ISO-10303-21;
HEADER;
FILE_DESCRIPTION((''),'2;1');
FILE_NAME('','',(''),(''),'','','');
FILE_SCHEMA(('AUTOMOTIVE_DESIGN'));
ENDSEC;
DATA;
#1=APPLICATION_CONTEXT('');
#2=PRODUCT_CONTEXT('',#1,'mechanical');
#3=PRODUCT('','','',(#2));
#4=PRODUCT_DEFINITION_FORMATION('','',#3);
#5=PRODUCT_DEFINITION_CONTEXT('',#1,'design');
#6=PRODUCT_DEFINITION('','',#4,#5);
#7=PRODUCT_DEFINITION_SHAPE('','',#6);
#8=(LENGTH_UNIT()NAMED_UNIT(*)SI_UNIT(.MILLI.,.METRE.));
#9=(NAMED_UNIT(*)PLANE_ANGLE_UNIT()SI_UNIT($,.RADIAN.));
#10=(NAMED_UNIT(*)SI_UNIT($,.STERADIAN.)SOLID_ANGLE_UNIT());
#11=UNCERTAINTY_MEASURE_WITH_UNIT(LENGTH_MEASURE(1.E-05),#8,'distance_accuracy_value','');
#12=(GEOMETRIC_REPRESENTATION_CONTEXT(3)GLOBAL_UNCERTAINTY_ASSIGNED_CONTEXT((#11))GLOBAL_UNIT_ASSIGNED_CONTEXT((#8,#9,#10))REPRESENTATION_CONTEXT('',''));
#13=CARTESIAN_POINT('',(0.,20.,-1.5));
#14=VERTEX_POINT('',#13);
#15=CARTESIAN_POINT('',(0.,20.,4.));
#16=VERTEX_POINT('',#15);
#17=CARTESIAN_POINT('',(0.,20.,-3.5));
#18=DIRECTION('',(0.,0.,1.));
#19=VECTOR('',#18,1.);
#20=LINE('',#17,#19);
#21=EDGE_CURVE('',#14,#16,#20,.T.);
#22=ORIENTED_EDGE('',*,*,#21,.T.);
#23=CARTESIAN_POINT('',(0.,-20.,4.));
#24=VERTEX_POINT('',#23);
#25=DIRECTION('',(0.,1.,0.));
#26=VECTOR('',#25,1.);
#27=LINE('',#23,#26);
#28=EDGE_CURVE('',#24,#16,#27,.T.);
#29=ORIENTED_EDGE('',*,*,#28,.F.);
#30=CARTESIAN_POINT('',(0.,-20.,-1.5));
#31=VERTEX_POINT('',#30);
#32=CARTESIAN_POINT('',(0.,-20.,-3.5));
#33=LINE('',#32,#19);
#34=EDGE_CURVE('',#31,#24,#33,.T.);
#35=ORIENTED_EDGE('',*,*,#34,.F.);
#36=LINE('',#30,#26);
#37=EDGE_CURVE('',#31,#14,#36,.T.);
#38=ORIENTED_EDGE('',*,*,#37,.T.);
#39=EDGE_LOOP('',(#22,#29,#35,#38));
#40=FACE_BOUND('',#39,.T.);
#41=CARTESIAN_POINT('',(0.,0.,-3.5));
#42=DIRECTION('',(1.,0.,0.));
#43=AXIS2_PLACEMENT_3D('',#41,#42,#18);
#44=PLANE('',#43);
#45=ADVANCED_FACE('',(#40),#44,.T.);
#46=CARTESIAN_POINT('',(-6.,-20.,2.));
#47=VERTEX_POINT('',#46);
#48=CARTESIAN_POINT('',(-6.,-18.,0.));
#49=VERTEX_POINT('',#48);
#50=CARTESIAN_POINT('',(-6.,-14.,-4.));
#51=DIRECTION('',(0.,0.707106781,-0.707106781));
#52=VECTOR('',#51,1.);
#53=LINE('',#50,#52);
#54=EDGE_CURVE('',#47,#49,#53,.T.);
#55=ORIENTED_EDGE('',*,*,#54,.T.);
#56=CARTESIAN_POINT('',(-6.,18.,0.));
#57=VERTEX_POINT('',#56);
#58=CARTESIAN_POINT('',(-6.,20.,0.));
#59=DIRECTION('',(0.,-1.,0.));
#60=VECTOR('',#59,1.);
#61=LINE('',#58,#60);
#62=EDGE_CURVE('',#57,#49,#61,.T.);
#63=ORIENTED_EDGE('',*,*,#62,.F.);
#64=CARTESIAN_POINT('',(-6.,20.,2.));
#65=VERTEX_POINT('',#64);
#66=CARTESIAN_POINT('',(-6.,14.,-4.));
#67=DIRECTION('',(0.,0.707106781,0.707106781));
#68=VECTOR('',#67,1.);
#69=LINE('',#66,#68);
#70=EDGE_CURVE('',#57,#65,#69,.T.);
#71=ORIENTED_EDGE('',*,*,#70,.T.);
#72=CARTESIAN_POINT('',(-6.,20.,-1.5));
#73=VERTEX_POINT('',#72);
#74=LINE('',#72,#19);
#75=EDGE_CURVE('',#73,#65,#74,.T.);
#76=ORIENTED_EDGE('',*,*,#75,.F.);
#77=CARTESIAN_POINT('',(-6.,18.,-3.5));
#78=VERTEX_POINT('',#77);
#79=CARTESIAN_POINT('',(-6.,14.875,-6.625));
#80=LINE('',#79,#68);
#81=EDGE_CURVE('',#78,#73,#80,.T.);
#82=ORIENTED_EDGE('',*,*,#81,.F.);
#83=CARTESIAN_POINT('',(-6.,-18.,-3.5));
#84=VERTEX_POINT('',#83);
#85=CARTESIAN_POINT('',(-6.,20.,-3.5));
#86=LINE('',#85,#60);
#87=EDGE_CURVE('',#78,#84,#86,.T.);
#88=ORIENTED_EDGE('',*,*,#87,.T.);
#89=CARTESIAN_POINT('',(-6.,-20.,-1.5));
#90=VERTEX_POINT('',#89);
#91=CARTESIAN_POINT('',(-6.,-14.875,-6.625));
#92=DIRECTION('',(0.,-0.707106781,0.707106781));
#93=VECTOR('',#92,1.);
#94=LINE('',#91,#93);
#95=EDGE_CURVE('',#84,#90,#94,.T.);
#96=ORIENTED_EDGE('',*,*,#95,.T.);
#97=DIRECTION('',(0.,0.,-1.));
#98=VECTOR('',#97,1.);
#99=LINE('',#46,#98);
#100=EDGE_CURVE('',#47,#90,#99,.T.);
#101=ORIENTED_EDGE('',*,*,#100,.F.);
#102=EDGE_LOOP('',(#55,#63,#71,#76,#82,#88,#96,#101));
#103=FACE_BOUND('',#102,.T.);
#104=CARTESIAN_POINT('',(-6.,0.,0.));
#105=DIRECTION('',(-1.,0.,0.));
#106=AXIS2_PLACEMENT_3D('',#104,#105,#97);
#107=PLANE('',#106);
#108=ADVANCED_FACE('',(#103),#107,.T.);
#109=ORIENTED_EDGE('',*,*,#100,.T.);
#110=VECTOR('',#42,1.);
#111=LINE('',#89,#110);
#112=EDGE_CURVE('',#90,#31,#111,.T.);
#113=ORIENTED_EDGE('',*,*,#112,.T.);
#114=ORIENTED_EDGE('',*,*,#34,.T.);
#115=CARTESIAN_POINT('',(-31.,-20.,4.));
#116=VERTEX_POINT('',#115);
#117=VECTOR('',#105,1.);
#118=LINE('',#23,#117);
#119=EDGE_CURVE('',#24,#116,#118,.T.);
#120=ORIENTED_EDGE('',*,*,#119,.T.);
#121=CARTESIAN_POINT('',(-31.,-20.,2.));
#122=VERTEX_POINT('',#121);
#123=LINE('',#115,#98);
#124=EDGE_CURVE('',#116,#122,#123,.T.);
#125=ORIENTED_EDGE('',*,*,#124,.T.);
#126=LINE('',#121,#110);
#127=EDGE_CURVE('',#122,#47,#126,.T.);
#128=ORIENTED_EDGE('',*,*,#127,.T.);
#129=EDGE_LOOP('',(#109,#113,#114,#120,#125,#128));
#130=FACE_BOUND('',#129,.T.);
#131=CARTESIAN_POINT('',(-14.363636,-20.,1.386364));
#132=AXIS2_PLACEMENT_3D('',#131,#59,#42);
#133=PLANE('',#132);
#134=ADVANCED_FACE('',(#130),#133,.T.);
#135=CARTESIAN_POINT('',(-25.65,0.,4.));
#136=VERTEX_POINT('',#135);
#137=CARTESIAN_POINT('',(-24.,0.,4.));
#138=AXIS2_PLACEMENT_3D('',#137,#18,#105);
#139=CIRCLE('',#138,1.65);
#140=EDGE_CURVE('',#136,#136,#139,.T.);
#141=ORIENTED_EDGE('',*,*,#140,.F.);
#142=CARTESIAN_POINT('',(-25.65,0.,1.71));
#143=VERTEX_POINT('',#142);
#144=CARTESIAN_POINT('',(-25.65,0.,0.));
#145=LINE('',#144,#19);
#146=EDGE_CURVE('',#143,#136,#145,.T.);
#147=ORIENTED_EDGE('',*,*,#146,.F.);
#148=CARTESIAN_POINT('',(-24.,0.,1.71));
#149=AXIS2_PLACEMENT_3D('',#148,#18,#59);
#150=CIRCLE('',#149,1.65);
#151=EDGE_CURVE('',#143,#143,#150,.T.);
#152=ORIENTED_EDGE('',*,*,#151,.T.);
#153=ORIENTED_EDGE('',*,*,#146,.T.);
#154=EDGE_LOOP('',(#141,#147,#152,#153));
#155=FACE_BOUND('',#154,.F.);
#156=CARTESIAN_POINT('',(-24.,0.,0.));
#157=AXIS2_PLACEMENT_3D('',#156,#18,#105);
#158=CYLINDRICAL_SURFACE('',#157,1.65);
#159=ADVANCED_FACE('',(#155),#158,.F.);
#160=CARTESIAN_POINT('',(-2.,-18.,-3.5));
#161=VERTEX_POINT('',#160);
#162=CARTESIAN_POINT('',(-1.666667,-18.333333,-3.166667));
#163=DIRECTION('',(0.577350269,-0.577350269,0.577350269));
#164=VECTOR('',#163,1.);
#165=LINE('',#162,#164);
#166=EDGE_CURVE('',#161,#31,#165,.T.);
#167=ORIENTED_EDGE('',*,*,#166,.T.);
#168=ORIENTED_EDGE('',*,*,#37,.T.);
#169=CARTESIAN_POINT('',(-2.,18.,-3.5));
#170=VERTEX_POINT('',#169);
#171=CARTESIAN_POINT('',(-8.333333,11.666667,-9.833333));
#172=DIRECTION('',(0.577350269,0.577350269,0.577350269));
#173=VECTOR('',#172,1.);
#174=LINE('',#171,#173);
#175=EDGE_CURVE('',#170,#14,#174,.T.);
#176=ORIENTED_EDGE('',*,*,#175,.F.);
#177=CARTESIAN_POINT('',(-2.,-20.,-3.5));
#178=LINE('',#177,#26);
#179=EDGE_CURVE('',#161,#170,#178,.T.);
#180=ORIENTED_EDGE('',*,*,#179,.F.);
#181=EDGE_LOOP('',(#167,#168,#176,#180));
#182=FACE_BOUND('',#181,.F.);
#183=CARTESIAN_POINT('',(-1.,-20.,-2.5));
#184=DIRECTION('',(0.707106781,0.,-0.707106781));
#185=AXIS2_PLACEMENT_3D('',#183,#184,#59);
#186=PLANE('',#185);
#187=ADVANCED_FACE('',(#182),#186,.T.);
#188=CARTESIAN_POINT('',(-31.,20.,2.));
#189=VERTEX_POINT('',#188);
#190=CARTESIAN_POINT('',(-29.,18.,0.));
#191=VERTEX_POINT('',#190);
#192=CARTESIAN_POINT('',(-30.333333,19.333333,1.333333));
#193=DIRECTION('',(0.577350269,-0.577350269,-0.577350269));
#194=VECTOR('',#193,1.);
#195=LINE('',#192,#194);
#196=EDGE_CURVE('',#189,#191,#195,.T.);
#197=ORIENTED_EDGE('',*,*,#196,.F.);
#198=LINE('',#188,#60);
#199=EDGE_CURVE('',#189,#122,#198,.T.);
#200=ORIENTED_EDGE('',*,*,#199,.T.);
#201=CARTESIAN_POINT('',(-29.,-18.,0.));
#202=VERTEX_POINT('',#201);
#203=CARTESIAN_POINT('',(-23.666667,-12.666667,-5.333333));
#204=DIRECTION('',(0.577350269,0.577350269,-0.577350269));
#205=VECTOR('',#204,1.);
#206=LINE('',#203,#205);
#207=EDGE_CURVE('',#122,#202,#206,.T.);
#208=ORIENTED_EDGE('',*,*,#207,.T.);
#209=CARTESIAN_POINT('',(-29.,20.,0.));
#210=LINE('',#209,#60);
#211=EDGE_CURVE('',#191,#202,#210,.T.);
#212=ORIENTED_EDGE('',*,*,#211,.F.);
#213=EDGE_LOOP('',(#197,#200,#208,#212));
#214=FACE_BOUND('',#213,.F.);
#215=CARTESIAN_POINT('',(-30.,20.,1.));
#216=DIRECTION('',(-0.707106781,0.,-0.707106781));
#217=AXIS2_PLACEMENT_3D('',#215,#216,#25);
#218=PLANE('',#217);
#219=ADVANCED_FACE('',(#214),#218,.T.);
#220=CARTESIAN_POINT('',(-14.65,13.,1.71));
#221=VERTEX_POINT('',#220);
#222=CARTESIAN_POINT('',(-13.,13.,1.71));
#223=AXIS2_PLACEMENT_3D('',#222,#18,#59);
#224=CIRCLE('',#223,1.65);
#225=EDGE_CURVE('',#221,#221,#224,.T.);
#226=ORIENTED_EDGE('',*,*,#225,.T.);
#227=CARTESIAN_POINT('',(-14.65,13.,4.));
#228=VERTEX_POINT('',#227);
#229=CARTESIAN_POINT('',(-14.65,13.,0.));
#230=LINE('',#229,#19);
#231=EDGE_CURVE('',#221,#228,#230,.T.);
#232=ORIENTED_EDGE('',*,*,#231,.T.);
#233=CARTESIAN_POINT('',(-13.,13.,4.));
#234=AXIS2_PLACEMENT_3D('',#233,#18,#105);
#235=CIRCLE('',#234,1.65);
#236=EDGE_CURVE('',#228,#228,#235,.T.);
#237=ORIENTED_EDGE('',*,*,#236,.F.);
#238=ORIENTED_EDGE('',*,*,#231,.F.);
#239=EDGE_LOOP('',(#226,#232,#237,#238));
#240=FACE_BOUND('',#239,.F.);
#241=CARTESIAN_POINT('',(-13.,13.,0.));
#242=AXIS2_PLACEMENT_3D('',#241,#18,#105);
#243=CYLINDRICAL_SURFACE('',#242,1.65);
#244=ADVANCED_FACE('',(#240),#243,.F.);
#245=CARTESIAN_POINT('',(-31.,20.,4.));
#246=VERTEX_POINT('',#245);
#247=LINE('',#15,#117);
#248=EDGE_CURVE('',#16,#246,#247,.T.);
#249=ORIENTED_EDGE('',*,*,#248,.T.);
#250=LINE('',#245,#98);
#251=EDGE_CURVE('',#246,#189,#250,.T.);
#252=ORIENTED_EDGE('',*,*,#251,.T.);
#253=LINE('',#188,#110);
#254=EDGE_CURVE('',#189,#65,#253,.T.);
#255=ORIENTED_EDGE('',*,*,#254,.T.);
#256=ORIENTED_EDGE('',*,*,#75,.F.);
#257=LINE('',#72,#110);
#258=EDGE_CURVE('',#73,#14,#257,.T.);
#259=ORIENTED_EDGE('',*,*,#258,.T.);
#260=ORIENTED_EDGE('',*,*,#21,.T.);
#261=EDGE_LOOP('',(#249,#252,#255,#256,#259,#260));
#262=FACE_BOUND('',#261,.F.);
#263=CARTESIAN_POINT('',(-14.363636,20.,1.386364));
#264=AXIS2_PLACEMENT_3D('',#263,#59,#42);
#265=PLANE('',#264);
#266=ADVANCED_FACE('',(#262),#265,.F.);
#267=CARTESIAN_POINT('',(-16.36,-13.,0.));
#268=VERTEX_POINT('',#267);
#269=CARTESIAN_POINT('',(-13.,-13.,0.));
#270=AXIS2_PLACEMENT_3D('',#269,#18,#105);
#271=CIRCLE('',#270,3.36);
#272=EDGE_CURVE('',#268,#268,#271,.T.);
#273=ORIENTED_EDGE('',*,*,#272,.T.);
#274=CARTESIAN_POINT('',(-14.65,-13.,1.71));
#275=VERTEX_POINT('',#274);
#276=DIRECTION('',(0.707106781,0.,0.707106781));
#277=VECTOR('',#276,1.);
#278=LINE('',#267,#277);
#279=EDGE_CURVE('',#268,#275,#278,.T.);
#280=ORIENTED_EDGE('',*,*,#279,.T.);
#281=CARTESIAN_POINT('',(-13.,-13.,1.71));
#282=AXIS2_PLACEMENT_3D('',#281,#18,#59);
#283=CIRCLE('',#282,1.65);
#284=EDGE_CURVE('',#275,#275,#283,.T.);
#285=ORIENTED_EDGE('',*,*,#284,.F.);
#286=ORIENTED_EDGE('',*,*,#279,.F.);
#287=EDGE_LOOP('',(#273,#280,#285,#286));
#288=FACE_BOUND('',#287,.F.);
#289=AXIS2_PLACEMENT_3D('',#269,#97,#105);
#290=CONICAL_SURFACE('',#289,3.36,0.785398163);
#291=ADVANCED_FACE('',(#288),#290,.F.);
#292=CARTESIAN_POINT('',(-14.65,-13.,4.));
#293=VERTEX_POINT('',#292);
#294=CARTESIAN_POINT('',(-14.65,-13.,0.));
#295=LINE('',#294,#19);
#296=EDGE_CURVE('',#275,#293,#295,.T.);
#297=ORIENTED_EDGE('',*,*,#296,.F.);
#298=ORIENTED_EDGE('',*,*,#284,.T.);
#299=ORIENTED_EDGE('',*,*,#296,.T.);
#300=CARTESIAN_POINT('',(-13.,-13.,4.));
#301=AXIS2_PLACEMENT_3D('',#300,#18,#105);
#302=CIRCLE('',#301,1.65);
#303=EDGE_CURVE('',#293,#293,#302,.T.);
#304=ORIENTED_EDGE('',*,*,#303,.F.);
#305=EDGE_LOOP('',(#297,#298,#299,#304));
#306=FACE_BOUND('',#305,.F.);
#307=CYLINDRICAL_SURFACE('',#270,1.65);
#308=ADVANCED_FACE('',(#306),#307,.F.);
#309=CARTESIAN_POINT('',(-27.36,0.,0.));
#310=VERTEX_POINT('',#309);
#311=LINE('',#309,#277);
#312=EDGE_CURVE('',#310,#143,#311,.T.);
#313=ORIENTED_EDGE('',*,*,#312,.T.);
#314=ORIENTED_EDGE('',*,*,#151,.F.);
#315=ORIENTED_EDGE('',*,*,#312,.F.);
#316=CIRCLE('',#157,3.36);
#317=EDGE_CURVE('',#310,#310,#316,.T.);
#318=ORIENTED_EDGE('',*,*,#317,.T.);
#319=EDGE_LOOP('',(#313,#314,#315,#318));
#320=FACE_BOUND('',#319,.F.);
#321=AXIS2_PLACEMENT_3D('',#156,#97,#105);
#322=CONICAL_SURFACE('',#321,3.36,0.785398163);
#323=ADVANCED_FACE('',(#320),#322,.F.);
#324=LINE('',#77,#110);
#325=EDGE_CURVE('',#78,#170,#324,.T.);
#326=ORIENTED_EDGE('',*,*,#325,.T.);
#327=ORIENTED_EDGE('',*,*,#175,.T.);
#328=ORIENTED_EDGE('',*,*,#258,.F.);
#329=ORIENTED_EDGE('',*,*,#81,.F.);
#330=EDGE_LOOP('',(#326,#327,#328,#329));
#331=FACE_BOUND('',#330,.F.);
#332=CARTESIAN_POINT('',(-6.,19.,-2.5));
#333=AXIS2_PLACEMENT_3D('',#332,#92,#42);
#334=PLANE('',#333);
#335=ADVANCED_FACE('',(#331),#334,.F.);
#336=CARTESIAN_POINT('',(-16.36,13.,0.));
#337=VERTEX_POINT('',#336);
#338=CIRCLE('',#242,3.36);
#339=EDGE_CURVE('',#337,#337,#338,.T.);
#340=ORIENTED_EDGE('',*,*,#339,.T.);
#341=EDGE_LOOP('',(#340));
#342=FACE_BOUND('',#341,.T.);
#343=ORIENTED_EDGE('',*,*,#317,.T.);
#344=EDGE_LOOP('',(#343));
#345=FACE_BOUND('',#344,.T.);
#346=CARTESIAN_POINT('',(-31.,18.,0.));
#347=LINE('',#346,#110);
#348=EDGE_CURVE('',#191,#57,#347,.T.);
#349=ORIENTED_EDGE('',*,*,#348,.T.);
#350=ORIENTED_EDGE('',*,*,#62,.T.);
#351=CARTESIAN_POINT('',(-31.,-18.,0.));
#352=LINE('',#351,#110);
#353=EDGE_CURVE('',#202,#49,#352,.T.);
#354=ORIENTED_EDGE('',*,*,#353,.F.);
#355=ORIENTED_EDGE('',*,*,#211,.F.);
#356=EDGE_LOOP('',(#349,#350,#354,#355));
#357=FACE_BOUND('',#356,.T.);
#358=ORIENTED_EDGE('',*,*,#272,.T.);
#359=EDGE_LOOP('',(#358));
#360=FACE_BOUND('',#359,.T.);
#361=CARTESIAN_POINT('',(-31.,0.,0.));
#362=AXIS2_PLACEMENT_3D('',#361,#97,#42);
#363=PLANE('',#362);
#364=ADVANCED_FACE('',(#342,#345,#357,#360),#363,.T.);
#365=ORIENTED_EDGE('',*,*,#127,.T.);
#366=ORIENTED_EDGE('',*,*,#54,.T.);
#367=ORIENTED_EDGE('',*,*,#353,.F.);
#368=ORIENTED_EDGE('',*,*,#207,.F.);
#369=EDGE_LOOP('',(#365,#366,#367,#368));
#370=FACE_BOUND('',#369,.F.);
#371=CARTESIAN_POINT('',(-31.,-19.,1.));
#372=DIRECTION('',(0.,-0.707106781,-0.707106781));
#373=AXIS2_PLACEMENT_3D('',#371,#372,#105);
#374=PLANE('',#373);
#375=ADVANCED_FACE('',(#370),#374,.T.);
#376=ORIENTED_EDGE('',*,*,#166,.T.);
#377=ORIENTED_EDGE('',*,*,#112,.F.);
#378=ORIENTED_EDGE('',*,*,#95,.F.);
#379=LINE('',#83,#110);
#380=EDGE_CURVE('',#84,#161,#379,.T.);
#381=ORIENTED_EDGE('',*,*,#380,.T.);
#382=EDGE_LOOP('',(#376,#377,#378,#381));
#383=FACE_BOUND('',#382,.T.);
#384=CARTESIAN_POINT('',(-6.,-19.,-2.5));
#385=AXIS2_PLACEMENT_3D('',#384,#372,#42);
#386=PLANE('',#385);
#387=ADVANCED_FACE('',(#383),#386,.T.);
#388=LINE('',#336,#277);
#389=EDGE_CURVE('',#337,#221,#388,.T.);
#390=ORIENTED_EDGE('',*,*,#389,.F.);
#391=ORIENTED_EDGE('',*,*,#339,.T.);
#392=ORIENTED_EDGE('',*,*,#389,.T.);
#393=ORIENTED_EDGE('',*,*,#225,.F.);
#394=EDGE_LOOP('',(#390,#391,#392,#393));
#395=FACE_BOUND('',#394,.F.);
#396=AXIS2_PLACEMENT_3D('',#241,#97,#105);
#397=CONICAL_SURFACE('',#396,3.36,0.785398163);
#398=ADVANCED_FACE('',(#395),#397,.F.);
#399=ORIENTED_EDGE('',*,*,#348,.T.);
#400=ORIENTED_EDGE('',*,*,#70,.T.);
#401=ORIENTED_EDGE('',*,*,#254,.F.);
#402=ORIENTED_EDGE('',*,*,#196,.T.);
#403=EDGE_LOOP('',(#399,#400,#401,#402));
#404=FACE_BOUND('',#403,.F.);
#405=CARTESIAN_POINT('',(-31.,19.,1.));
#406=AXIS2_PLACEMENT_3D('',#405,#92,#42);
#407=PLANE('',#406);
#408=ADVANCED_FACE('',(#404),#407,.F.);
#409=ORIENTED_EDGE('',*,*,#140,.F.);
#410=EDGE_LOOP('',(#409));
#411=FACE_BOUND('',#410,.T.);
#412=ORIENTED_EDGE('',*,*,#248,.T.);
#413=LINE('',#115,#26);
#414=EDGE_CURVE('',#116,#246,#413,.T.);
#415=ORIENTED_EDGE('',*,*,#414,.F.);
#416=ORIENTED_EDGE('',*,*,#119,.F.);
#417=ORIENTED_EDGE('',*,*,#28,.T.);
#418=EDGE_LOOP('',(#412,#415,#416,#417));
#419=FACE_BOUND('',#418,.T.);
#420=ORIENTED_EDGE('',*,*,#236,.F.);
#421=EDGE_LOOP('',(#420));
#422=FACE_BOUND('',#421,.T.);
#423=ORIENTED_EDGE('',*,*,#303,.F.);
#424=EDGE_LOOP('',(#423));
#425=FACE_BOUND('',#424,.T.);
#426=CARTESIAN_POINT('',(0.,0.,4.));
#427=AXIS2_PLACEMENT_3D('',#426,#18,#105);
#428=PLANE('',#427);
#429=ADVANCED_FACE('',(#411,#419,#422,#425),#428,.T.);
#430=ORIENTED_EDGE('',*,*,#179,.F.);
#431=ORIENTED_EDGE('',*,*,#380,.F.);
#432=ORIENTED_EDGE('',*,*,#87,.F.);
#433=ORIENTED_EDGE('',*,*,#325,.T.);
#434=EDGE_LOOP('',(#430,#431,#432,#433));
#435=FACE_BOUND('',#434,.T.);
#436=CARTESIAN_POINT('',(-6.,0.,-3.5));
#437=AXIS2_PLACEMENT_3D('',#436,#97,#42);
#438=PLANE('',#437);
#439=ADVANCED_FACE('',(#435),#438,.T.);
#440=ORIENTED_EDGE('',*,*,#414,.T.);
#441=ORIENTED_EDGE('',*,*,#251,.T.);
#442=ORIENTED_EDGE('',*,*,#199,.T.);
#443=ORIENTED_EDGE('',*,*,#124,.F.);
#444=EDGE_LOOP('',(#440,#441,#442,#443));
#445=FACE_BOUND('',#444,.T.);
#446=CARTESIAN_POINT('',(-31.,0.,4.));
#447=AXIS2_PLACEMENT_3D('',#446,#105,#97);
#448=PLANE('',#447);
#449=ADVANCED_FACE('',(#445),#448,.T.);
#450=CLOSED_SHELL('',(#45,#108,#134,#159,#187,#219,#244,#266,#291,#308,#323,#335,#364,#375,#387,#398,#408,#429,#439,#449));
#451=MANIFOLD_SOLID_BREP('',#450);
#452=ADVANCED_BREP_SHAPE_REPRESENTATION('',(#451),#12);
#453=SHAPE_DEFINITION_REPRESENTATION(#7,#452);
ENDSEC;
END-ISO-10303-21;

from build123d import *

# Parameters (mm, degrees)
F1_DEPTH       = 20
F3_D           = 3.3
F3_CSINK_D     = 6.72
F3_CSINK_ANGLE = 90
F4_SIZE        = 2


with BuildPart() as f1:
    # F0 (on Front) → F1 (new body, symmetric)
    with BuildSketch(Plane.XZ):
        Polygon((-31, 4), (-31, 0), (-6, 0), (-6, -3.5), (0, -3.5), (0, 4), align=None)
    extrude(amount=F1_DEPTH, both=True)

    # F3 (through all)
    with Locations(Plane(origin=(0, 0, 0), x_dir=(1, 0, 0), z_dir=(0, 0, -1))):
        with Locations((-13, -13), (-24, 0), (-13, 13)):
            CounterSinkHole(F3_D / 2, F3_CSINK_D / 2, counter_sink_angle=F3_CSINK_ANGLE)

    # F4
    f4_edges = [f1.edges().sort_by_distance(p)[0] for p in [
        (-18.5, -20, 0),
        (-31, 0, 0),
        (-18.5, 20, 0),
        (-3, -20, -3.5),
        (-3, 20, -3.5),
        (0, 0, -3.5),
    ]]
    chamfer(f4_edges, length=F4_SIZE)


solid = f1.part
